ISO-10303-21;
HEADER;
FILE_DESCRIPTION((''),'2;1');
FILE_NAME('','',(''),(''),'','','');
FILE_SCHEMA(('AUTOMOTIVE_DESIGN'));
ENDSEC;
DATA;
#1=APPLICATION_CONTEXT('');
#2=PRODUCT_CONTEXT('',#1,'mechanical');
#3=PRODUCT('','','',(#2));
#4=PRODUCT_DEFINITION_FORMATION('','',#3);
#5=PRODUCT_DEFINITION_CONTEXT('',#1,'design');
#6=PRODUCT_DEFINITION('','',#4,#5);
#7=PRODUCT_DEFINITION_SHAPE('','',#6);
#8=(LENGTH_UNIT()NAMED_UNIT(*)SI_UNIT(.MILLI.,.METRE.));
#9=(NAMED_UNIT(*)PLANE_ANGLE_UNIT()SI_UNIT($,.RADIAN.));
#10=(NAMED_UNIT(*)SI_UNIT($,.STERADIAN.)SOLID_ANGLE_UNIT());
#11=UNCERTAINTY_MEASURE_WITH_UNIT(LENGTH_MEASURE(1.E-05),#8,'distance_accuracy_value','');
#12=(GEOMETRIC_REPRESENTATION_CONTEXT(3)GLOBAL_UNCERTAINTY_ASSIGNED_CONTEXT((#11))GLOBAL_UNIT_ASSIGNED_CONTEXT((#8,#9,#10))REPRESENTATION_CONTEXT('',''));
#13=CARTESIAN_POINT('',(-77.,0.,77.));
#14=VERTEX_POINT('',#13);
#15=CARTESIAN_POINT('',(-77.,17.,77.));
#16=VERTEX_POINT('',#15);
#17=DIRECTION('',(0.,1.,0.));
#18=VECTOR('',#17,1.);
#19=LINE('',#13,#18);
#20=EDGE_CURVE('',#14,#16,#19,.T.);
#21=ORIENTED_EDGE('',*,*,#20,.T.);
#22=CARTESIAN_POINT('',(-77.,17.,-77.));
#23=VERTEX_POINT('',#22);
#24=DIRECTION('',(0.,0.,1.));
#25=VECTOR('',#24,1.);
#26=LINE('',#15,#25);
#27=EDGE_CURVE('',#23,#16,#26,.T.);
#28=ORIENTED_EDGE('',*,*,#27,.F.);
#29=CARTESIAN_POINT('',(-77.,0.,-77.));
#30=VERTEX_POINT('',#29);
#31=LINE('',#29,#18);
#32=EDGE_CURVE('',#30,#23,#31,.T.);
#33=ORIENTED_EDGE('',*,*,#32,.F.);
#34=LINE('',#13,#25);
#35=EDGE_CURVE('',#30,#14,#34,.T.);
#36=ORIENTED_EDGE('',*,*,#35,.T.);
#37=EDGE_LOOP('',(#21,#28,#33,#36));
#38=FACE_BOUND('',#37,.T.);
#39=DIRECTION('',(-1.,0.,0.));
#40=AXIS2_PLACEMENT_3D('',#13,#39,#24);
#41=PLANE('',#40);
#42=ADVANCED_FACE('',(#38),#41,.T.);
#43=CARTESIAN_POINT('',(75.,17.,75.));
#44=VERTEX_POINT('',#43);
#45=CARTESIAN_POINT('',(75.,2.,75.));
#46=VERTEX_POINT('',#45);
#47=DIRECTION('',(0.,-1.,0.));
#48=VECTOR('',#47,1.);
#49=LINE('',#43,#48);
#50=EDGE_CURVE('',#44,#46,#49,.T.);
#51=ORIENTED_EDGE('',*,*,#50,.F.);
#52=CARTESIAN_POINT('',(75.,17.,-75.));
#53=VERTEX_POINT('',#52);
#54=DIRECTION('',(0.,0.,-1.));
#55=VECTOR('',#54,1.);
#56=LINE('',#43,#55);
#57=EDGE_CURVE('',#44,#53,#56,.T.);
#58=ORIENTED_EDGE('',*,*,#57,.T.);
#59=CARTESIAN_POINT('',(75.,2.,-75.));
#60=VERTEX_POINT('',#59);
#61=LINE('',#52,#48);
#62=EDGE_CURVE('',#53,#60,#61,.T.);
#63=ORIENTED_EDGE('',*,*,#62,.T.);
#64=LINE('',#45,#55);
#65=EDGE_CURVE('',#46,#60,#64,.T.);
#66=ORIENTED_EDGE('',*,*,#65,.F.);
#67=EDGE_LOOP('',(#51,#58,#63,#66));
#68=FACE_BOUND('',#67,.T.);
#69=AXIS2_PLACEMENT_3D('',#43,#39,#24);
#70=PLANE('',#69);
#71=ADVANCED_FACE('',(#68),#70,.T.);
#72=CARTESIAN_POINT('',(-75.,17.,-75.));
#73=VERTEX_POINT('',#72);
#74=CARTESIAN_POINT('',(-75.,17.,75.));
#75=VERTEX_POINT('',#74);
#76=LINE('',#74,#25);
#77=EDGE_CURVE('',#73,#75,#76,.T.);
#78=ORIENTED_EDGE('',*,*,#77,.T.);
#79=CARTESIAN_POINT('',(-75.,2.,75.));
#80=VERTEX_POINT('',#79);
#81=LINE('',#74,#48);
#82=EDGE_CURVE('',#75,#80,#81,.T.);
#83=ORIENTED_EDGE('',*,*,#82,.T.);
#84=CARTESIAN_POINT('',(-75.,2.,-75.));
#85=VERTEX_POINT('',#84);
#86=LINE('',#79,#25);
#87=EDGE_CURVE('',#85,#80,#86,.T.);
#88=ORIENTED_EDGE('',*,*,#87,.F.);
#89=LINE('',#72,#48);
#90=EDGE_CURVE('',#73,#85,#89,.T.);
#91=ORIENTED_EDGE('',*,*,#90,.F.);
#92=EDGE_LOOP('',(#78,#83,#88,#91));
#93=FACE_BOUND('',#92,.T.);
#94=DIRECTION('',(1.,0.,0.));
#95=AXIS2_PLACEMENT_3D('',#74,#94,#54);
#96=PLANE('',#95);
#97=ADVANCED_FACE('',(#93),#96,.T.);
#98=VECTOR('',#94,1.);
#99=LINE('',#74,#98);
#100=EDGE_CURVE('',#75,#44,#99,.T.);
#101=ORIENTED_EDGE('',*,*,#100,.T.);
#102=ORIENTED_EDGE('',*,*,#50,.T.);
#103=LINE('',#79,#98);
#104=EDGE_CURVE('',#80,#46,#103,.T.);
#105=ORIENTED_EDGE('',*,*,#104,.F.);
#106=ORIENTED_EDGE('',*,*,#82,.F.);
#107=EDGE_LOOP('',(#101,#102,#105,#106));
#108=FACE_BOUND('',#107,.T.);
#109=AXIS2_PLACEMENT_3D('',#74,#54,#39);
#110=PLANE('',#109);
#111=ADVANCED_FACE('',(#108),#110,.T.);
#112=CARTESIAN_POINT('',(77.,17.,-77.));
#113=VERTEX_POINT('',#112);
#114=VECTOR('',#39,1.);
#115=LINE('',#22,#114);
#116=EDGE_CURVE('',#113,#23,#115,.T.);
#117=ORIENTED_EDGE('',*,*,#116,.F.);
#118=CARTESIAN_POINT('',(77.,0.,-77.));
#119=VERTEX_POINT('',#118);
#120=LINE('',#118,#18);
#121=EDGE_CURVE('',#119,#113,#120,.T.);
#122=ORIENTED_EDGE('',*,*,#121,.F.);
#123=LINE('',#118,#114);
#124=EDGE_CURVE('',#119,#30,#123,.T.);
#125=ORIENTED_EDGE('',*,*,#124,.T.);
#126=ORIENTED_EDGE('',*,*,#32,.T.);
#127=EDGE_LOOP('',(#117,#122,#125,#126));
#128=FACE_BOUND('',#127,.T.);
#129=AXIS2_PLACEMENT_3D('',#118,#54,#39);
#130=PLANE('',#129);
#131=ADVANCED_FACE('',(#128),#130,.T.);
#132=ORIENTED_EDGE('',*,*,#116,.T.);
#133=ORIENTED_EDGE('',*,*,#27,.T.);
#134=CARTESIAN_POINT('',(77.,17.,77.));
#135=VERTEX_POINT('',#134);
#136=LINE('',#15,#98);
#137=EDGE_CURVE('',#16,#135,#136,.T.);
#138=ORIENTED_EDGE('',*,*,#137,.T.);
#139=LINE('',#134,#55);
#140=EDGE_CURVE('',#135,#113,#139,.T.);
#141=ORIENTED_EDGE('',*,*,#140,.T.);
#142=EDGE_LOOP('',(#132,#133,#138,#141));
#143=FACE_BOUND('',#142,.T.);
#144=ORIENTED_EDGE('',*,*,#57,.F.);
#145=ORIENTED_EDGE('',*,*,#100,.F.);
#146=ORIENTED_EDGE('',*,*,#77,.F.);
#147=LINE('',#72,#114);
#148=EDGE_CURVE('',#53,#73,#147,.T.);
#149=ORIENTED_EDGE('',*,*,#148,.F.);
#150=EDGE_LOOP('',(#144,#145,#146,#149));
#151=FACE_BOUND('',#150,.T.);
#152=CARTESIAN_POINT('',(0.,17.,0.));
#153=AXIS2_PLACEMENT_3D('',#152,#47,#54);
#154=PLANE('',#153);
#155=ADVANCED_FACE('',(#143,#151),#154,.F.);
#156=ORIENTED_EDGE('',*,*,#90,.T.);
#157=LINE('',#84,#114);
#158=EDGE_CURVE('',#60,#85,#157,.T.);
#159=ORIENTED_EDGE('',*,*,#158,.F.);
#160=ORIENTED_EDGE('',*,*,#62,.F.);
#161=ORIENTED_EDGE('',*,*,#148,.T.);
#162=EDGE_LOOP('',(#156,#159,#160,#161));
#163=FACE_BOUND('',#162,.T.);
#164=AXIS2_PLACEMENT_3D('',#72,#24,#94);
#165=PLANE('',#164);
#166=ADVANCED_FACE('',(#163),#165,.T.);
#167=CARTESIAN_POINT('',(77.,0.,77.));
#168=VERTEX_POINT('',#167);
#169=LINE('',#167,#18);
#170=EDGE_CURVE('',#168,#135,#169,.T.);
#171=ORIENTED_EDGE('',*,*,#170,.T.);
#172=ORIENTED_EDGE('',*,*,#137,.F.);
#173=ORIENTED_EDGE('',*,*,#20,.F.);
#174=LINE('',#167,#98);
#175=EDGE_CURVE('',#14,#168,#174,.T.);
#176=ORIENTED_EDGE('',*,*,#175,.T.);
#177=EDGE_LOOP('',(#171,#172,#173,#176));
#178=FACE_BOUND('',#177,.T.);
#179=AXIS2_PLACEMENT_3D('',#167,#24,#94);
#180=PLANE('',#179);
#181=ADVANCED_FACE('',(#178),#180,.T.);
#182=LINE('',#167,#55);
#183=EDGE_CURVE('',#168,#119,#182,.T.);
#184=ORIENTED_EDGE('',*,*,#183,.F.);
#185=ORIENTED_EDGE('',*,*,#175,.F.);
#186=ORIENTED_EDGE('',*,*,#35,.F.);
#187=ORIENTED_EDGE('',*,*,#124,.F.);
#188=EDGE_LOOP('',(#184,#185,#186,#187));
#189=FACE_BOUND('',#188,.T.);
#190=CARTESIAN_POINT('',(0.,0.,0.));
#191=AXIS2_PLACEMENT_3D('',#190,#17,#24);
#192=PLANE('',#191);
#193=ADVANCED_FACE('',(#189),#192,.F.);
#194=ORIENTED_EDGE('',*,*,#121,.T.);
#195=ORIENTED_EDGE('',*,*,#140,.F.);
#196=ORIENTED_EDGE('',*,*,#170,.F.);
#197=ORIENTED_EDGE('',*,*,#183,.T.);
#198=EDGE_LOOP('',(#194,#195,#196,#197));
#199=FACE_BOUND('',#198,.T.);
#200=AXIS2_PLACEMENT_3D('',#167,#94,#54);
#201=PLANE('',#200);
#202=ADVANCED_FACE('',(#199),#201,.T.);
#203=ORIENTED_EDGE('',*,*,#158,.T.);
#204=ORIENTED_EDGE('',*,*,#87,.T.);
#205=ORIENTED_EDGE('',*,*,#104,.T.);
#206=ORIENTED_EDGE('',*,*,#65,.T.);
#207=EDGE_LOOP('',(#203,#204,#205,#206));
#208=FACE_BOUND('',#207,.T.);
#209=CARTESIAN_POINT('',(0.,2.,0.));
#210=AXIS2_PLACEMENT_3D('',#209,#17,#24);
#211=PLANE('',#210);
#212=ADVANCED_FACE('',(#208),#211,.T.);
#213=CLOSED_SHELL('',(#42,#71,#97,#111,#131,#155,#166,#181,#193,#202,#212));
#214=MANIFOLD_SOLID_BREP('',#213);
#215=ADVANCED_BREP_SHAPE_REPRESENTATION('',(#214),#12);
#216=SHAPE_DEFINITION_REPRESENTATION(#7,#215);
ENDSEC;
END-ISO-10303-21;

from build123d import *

# Parameters (mm, degrees)
SKETCH1_W           = 150
SKETCH1_H           = 150
BOSS_EXTRUDE1_DEPTH = 2
SKETCH2_W           = 154
SKETCH2_H           = 154
BOSS_EXTRUDE2_DEPTH = 2
SKETCH3_W           = 154
SKETCH3_H           = 154
SKETCH3_W_2         = 150
SKETCH3_H_2         = 150
BOSS_EXTRUDE3_DEPTH = 15


with BuildPart() as part:
    # Sketch1 → Boss-Extrude1 (new body)
    with BuildSketch(Plane(origin=(0, 0, 0), x_dir=(1, 0, 0), z_dir=(0, 1, 0))):
        Rectangle(SKETCH1_W, SKETCH1_H)
    extrude(amount=BOSS_EXTRUDE1_DEPTH)

    # Sketch2 → Boss-Extrude2 (add)
    with BuildSketch(Plane(origin=(0, 2, 0), x_dir=(1, 0, 0), z_dir=(0, 1, 0))):
        Rectangle(SKETCH2_W, SKETCH2_H)
    extrude(amount=-BOSS_EXTRUDE2_DEPTH)

    # Sketch3 → Boss-Extrude3 (add)
    with BuildSketch(Plane(origin=(0, 2, 0), x_dir=(1, 0, 0), z_dir=(0, 1, 0))):
        Rectangle(SKETCH3_W, SKETCH3_H)
        Rectangle(SKETCH3_W_2, SKETCH3_H_2, mode=Mode.SUBTRACT)
    extrude(amount=BOSS_EXTRUDE3_DEPTH)


solid = part.part
